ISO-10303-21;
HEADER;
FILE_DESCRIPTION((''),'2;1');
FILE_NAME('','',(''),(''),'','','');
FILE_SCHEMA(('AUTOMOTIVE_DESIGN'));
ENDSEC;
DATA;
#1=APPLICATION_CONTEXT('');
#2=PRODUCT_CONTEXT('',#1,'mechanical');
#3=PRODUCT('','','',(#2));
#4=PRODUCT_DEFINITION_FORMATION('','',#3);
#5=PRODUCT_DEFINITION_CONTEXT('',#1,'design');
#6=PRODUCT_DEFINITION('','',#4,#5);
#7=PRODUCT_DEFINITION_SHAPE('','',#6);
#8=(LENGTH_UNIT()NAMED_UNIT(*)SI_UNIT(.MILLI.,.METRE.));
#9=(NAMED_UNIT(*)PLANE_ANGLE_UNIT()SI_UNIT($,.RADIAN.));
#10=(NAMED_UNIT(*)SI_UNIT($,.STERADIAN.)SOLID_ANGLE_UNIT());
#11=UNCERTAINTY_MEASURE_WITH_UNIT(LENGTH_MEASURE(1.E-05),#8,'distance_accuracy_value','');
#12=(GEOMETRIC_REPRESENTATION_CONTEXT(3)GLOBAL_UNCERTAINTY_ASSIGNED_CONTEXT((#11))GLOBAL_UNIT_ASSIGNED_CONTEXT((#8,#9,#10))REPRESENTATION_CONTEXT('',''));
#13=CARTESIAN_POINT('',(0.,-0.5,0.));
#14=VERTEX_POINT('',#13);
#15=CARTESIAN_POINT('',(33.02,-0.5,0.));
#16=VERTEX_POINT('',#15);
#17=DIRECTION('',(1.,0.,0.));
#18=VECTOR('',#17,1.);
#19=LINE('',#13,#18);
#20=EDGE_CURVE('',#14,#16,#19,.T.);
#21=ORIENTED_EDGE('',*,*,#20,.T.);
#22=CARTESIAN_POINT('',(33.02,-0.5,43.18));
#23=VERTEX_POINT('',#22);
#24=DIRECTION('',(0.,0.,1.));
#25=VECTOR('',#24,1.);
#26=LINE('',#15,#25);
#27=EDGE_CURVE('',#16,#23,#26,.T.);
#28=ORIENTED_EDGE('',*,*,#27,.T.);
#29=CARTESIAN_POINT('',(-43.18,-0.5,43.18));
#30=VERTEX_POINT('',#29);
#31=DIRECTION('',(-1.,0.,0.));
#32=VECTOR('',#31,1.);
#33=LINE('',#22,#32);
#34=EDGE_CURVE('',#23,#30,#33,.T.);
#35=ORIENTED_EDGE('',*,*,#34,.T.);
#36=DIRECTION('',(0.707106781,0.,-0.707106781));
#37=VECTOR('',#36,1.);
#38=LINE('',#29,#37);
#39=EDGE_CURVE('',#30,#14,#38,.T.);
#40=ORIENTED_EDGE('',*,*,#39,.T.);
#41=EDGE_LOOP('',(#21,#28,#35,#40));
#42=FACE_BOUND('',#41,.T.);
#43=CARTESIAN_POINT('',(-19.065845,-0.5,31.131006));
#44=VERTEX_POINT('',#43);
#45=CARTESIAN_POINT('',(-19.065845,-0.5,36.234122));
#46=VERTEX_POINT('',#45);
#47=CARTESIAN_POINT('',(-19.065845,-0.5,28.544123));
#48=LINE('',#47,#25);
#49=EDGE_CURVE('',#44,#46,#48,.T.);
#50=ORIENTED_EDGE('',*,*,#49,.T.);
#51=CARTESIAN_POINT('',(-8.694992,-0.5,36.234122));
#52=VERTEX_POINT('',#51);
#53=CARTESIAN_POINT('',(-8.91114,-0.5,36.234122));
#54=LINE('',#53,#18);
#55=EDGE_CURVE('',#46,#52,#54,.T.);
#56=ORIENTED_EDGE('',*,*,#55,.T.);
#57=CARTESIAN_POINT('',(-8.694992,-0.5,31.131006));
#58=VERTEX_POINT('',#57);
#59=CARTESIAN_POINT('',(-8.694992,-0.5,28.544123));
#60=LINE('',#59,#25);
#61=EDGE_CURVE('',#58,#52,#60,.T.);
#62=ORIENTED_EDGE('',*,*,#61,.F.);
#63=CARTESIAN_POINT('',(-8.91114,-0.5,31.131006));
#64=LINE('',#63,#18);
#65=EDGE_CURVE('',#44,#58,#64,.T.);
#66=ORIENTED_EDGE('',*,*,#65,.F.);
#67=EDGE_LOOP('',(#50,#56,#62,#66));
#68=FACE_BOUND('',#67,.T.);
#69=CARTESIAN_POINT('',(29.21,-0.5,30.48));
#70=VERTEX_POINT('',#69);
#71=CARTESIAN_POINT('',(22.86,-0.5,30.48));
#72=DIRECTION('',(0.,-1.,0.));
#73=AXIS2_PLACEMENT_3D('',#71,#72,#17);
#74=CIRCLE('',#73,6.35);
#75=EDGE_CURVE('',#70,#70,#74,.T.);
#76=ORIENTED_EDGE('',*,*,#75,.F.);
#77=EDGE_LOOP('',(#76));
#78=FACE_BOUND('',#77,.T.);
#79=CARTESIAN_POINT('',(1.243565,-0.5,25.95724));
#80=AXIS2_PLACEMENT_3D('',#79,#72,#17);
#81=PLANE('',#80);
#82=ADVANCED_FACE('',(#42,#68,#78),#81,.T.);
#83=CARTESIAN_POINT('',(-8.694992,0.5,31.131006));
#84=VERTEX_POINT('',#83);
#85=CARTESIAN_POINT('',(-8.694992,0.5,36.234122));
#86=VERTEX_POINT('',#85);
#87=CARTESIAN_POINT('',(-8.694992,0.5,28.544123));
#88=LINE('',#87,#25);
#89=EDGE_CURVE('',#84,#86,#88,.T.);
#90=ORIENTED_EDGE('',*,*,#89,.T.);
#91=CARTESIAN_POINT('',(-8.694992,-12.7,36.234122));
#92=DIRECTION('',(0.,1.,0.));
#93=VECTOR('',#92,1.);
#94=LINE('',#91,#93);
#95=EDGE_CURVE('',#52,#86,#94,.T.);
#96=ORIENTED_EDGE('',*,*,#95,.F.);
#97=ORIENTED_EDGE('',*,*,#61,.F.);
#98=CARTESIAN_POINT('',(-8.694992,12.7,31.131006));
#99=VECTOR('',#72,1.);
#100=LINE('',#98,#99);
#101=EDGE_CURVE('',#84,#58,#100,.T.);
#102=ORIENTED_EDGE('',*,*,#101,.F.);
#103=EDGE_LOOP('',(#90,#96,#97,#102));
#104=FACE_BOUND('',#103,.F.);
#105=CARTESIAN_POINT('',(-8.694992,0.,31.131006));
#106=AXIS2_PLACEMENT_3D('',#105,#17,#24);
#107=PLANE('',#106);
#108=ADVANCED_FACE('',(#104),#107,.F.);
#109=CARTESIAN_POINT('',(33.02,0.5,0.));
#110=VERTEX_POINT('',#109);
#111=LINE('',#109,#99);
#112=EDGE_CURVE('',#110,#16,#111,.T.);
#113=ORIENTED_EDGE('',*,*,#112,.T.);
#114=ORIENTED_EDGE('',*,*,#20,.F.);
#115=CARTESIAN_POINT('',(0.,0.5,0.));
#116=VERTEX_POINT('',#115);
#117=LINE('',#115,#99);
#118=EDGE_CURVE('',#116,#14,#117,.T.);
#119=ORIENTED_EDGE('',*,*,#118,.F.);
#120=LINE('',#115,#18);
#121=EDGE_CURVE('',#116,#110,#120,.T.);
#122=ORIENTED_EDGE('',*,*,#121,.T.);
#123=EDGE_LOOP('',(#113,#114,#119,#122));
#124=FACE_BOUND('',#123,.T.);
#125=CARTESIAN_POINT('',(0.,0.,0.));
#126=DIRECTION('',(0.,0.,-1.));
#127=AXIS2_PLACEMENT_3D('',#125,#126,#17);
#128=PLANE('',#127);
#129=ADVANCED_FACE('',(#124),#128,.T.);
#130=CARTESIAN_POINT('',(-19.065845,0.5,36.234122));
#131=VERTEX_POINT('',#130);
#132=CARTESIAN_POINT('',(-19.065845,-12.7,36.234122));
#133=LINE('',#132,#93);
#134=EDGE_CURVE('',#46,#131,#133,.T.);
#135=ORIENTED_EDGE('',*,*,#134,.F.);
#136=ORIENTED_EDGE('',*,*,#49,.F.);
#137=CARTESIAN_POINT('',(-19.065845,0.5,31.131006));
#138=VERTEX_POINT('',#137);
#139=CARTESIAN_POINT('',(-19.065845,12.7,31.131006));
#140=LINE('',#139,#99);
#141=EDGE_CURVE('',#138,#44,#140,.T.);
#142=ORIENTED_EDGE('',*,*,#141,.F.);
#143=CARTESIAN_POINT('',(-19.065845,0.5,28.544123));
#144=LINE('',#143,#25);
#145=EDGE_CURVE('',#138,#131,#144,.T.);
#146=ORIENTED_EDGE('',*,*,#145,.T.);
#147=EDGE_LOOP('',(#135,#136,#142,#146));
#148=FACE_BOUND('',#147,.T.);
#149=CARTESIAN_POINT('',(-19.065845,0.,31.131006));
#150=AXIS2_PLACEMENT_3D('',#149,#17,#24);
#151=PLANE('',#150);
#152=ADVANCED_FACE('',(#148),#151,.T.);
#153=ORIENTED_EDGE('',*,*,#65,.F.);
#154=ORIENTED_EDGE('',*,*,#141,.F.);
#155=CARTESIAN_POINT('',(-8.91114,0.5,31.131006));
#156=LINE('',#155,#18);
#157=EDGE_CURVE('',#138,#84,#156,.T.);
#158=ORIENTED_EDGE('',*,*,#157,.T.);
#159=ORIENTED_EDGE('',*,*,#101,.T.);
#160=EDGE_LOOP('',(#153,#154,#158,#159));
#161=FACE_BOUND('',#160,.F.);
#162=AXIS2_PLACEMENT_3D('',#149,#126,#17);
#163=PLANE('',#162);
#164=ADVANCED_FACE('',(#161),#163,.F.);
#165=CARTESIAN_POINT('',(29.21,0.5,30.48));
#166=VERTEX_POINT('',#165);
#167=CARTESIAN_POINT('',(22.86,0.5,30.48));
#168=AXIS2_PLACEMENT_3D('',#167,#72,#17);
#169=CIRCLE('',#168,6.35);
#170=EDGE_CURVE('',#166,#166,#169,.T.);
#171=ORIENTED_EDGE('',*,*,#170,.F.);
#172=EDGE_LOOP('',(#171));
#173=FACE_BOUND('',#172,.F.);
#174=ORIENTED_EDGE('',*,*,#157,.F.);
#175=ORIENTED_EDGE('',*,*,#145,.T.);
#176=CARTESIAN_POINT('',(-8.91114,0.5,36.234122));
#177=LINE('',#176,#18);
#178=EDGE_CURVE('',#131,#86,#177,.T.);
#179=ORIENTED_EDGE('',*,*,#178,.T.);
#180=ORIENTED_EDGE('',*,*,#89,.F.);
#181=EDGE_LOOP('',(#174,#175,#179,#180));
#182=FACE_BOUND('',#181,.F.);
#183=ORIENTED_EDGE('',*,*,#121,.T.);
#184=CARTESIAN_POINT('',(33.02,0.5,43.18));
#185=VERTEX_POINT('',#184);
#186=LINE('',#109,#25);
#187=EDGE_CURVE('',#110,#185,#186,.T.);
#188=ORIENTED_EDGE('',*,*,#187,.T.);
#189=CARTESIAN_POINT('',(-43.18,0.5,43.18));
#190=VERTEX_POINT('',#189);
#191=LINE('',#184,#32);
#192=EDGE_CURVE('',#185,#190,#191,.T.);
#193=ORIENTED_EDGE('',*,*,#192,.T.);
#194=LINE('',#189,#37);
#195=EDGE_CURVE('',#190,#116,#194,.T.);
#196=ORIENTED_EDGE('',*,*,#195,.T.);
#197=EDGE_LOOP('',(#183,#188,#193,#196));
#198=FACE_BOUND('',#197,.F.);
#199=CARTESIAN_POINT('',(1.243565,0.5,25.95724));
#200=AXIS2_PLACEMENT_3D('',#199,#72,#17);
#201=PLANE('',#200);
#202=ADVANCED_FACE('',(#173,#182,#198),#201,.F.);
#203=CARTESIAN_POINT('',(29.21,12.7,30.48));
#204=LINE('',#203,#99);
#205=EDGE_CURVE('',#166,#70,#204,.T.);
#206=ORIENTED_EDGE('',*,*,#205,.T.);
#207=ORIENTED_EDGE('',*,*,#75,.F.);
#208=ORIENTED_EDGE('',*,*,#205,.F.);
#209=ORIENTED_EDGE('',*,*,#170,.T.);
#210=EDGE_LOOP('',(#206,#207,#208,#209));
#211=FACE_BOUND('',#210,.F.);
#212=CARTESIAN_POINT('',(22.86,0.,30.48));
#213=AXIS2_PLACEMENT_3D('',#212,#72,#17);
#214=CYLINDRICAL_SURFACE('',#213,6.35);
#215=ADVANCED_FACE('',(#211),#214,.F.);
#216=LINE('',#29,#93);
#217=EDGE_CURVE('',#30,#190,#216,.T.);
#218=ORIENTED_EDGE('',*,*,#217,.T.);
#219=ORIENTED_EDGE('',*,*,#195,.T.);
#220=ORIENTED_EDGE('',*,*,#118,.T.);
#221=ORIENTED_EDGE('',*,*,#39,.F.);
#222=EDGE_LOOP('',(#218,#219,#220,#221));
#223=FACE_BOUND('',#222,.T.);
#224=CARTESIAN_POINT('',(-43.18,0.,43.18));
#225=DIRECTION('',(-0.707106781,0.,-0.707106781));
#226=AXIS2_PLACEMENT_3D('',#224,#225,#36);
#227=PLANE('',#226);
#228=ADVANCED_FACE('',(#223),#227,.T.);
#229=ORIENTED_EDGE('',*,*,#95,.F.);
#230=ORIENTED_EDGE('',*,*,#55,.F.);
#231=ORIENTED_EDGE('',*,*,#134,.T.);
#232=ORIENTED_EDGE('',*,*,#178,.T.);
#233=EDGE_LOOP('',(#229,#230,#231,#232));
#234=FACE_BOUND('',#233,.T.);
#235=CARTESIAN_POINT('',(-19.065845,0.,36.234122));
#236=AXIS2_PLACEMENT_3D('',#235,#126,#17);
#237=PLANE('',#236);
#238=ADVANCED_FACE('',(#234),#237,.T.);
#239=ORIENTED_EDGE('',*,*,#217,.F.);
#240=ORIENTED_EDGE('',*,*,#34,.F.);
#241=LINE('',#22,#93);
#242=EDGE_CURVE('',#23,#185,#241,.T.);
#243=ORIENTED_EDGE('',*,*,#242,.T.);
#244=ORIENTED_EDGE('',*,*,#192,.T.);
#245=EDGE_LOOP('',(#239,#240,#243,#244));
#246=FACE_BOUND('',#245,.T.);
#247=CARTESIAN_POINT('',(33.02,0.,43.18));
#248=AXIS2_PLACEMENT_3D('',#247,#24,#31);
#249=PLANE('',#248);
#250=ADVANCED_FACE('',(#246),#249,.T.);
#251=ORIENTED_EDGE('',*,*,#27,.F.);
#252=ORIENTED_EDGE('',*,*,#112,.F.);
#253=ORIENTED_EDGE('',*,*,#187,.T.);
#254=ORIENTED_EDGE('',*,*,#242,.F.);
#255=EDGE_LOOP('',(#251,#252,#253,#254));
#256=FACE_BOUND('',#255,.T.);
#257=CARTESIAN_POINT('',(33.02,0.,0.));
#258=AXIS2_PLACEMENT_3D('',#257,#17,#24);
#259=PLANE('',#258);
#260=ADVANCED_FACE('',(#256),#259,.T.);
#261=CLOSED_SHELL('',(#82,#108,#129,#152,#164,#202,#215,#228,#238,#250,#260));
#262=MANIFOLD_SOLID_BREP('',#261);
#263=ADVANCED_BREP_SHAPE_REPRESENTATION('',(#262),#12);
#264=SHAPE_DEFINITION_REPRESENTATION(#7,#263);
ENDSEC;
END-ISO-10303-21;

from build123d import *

# Parameters (mm, degrees)
F1_DEPTH = 0.5
F2_R     = 6.35
F3_DEPTH = 12.7
F4_W     = 10.370853
F4_H     = 5.103117
F5_DEPTH = 12.7


with BuildPart() as f1:
    # F0 (on Front) → F1 (new body, symmetric)
    with BuildSketch(Plane.XZ):
        Polygon((-43.18, 43.18), (0, 0), (33.02, 0), (33.02, 43.18), align=None)
    extrude(amount=F1_DEPTH, both=True)

    # F2 (on Front) → F3 (cut, symmetric)
    with BuildSketch(Plane.XZ):
        with Locations((22.86, 30.48)):
            Circle(F2_R)
    extrude(amount=F3_DEPTH, both=True, mode=Mode.SUBTRACT)

    # F4 (on Front) → F5 (cut, symmetric)
    with BuildSketch(Plane.XZ):
        with Locations((-13.880418, 33.682564)):
            Rectangle(F4_W, F4_H)
    extrude(amount=F5_DEPTH, both=True, mode=Mode.SUBTRACT)


solid = f1.part
